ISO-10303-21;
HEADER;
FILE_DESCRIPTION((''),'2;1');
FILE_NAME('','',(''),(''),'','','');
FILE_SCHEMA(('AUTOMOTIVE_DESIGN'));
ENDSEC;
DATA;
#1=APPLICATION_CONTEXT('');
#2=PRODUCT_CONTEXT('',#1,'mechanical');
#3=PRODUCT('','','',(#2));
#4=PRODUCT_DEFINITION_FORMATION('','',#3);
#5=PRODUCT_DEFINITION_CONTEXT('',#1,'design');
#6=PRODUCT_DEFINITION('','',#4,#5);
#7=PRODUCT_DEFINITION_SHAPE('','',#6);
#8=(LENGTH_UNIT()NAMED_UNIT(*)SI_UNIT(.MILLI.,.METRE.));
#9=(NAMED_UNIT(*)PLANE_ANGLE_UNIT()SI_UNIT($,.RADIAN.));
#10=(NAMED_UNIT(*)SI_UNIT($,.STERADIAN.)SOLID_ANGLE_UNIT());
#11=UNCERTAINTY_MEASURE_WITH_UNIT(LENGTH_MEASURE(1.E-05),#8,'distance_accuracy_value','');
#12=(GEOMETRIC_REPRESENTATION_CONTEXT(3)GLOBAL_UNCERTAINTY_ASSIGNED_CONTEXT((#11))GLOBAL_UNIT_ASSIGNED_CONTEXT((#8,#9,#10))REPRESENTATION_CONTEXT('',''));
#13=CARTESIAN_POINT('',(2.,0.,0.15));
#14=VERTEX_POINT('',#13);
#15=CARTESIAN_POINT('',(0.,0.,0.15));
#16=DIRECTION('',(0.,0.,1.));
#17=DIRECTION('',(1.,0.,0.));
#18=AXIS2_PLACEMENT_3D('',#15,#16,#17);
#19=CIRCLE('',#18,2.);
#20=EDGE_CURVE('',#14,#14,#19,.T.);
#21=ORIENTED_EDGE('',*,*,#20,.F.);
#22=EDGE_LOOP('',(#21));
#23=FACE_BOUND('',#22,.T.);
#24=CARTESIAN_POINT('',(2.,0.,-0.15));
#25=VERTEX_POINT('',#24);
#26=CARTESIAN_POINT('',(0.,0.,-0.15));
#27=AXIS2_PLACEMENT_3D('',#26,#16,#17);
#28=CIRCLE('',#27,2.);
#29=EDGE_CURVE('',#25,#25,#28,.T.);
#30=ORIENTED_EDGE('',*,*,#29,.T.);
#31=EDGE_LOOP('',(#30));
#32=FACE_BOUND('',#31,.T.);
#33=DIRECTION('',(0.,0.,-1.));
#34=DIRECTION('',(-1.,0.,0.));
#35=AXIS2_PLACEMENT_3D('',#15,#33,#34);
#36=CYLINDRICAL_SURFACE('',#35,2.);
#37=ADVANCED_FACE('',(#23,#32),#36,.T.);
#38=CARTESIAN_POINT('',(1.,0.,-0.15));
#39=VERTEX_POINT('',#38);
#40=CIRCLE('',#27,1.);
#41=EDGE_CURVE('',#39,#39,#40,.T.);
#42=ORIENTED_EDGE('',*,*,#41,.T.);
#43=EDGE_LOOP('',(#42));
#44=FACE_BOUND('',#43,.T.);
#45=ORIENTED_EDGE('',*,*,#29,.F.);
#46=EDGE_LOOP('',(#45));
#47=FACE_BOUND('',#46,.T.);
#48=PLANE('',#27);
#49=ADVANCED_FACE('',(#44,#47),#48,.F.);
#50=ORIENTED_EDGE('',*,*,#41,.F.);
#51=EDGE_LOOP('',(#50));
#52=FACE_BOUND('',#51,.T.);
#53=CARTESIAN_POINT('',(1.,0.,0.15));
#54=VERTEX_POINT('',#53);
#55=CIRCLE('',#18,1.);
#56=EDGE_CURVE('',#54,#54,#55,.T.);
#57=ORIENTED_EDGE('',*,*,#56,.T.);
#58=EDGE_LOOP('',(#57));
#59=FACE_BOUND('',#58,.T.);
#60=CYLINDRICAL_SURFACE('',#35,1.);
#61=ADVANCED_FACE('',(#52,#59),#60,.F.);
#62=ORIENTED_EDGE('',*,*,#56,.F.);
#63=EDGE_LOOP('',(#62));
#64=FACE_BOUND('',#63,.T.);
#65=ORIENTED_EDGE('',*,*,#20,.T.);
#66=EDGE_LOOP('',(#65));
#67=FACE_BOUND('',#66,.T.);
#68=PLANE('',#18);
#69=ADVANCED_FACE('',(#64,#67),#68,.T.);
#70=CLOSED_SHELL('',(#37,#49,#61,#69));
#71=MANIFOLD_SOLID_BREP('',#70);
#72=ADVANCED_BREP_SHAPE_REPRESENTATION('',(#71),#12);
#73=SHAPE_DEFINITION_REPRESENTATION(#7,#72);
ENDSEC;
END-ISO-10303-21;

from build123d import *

# Parameters (mm, degrees)
SKETCH_1_R      = 2
SKETCH_1_R_2    = 1
EXTRUDE_1_DEPTH = 0.15


with BuildPart() as part:
    # 草图1 → 凸台-拉伸1 (new, symmetric)
    with BuildSketch(Plane.XY):
        Circle(SKETCH_1_R)
        Circle(SKETCH_1_R_2, mode=Mode.SUBTRACT)
    extrude(amount=EXTRUDE_1_DEPTH, both=True)


solid = part.part
